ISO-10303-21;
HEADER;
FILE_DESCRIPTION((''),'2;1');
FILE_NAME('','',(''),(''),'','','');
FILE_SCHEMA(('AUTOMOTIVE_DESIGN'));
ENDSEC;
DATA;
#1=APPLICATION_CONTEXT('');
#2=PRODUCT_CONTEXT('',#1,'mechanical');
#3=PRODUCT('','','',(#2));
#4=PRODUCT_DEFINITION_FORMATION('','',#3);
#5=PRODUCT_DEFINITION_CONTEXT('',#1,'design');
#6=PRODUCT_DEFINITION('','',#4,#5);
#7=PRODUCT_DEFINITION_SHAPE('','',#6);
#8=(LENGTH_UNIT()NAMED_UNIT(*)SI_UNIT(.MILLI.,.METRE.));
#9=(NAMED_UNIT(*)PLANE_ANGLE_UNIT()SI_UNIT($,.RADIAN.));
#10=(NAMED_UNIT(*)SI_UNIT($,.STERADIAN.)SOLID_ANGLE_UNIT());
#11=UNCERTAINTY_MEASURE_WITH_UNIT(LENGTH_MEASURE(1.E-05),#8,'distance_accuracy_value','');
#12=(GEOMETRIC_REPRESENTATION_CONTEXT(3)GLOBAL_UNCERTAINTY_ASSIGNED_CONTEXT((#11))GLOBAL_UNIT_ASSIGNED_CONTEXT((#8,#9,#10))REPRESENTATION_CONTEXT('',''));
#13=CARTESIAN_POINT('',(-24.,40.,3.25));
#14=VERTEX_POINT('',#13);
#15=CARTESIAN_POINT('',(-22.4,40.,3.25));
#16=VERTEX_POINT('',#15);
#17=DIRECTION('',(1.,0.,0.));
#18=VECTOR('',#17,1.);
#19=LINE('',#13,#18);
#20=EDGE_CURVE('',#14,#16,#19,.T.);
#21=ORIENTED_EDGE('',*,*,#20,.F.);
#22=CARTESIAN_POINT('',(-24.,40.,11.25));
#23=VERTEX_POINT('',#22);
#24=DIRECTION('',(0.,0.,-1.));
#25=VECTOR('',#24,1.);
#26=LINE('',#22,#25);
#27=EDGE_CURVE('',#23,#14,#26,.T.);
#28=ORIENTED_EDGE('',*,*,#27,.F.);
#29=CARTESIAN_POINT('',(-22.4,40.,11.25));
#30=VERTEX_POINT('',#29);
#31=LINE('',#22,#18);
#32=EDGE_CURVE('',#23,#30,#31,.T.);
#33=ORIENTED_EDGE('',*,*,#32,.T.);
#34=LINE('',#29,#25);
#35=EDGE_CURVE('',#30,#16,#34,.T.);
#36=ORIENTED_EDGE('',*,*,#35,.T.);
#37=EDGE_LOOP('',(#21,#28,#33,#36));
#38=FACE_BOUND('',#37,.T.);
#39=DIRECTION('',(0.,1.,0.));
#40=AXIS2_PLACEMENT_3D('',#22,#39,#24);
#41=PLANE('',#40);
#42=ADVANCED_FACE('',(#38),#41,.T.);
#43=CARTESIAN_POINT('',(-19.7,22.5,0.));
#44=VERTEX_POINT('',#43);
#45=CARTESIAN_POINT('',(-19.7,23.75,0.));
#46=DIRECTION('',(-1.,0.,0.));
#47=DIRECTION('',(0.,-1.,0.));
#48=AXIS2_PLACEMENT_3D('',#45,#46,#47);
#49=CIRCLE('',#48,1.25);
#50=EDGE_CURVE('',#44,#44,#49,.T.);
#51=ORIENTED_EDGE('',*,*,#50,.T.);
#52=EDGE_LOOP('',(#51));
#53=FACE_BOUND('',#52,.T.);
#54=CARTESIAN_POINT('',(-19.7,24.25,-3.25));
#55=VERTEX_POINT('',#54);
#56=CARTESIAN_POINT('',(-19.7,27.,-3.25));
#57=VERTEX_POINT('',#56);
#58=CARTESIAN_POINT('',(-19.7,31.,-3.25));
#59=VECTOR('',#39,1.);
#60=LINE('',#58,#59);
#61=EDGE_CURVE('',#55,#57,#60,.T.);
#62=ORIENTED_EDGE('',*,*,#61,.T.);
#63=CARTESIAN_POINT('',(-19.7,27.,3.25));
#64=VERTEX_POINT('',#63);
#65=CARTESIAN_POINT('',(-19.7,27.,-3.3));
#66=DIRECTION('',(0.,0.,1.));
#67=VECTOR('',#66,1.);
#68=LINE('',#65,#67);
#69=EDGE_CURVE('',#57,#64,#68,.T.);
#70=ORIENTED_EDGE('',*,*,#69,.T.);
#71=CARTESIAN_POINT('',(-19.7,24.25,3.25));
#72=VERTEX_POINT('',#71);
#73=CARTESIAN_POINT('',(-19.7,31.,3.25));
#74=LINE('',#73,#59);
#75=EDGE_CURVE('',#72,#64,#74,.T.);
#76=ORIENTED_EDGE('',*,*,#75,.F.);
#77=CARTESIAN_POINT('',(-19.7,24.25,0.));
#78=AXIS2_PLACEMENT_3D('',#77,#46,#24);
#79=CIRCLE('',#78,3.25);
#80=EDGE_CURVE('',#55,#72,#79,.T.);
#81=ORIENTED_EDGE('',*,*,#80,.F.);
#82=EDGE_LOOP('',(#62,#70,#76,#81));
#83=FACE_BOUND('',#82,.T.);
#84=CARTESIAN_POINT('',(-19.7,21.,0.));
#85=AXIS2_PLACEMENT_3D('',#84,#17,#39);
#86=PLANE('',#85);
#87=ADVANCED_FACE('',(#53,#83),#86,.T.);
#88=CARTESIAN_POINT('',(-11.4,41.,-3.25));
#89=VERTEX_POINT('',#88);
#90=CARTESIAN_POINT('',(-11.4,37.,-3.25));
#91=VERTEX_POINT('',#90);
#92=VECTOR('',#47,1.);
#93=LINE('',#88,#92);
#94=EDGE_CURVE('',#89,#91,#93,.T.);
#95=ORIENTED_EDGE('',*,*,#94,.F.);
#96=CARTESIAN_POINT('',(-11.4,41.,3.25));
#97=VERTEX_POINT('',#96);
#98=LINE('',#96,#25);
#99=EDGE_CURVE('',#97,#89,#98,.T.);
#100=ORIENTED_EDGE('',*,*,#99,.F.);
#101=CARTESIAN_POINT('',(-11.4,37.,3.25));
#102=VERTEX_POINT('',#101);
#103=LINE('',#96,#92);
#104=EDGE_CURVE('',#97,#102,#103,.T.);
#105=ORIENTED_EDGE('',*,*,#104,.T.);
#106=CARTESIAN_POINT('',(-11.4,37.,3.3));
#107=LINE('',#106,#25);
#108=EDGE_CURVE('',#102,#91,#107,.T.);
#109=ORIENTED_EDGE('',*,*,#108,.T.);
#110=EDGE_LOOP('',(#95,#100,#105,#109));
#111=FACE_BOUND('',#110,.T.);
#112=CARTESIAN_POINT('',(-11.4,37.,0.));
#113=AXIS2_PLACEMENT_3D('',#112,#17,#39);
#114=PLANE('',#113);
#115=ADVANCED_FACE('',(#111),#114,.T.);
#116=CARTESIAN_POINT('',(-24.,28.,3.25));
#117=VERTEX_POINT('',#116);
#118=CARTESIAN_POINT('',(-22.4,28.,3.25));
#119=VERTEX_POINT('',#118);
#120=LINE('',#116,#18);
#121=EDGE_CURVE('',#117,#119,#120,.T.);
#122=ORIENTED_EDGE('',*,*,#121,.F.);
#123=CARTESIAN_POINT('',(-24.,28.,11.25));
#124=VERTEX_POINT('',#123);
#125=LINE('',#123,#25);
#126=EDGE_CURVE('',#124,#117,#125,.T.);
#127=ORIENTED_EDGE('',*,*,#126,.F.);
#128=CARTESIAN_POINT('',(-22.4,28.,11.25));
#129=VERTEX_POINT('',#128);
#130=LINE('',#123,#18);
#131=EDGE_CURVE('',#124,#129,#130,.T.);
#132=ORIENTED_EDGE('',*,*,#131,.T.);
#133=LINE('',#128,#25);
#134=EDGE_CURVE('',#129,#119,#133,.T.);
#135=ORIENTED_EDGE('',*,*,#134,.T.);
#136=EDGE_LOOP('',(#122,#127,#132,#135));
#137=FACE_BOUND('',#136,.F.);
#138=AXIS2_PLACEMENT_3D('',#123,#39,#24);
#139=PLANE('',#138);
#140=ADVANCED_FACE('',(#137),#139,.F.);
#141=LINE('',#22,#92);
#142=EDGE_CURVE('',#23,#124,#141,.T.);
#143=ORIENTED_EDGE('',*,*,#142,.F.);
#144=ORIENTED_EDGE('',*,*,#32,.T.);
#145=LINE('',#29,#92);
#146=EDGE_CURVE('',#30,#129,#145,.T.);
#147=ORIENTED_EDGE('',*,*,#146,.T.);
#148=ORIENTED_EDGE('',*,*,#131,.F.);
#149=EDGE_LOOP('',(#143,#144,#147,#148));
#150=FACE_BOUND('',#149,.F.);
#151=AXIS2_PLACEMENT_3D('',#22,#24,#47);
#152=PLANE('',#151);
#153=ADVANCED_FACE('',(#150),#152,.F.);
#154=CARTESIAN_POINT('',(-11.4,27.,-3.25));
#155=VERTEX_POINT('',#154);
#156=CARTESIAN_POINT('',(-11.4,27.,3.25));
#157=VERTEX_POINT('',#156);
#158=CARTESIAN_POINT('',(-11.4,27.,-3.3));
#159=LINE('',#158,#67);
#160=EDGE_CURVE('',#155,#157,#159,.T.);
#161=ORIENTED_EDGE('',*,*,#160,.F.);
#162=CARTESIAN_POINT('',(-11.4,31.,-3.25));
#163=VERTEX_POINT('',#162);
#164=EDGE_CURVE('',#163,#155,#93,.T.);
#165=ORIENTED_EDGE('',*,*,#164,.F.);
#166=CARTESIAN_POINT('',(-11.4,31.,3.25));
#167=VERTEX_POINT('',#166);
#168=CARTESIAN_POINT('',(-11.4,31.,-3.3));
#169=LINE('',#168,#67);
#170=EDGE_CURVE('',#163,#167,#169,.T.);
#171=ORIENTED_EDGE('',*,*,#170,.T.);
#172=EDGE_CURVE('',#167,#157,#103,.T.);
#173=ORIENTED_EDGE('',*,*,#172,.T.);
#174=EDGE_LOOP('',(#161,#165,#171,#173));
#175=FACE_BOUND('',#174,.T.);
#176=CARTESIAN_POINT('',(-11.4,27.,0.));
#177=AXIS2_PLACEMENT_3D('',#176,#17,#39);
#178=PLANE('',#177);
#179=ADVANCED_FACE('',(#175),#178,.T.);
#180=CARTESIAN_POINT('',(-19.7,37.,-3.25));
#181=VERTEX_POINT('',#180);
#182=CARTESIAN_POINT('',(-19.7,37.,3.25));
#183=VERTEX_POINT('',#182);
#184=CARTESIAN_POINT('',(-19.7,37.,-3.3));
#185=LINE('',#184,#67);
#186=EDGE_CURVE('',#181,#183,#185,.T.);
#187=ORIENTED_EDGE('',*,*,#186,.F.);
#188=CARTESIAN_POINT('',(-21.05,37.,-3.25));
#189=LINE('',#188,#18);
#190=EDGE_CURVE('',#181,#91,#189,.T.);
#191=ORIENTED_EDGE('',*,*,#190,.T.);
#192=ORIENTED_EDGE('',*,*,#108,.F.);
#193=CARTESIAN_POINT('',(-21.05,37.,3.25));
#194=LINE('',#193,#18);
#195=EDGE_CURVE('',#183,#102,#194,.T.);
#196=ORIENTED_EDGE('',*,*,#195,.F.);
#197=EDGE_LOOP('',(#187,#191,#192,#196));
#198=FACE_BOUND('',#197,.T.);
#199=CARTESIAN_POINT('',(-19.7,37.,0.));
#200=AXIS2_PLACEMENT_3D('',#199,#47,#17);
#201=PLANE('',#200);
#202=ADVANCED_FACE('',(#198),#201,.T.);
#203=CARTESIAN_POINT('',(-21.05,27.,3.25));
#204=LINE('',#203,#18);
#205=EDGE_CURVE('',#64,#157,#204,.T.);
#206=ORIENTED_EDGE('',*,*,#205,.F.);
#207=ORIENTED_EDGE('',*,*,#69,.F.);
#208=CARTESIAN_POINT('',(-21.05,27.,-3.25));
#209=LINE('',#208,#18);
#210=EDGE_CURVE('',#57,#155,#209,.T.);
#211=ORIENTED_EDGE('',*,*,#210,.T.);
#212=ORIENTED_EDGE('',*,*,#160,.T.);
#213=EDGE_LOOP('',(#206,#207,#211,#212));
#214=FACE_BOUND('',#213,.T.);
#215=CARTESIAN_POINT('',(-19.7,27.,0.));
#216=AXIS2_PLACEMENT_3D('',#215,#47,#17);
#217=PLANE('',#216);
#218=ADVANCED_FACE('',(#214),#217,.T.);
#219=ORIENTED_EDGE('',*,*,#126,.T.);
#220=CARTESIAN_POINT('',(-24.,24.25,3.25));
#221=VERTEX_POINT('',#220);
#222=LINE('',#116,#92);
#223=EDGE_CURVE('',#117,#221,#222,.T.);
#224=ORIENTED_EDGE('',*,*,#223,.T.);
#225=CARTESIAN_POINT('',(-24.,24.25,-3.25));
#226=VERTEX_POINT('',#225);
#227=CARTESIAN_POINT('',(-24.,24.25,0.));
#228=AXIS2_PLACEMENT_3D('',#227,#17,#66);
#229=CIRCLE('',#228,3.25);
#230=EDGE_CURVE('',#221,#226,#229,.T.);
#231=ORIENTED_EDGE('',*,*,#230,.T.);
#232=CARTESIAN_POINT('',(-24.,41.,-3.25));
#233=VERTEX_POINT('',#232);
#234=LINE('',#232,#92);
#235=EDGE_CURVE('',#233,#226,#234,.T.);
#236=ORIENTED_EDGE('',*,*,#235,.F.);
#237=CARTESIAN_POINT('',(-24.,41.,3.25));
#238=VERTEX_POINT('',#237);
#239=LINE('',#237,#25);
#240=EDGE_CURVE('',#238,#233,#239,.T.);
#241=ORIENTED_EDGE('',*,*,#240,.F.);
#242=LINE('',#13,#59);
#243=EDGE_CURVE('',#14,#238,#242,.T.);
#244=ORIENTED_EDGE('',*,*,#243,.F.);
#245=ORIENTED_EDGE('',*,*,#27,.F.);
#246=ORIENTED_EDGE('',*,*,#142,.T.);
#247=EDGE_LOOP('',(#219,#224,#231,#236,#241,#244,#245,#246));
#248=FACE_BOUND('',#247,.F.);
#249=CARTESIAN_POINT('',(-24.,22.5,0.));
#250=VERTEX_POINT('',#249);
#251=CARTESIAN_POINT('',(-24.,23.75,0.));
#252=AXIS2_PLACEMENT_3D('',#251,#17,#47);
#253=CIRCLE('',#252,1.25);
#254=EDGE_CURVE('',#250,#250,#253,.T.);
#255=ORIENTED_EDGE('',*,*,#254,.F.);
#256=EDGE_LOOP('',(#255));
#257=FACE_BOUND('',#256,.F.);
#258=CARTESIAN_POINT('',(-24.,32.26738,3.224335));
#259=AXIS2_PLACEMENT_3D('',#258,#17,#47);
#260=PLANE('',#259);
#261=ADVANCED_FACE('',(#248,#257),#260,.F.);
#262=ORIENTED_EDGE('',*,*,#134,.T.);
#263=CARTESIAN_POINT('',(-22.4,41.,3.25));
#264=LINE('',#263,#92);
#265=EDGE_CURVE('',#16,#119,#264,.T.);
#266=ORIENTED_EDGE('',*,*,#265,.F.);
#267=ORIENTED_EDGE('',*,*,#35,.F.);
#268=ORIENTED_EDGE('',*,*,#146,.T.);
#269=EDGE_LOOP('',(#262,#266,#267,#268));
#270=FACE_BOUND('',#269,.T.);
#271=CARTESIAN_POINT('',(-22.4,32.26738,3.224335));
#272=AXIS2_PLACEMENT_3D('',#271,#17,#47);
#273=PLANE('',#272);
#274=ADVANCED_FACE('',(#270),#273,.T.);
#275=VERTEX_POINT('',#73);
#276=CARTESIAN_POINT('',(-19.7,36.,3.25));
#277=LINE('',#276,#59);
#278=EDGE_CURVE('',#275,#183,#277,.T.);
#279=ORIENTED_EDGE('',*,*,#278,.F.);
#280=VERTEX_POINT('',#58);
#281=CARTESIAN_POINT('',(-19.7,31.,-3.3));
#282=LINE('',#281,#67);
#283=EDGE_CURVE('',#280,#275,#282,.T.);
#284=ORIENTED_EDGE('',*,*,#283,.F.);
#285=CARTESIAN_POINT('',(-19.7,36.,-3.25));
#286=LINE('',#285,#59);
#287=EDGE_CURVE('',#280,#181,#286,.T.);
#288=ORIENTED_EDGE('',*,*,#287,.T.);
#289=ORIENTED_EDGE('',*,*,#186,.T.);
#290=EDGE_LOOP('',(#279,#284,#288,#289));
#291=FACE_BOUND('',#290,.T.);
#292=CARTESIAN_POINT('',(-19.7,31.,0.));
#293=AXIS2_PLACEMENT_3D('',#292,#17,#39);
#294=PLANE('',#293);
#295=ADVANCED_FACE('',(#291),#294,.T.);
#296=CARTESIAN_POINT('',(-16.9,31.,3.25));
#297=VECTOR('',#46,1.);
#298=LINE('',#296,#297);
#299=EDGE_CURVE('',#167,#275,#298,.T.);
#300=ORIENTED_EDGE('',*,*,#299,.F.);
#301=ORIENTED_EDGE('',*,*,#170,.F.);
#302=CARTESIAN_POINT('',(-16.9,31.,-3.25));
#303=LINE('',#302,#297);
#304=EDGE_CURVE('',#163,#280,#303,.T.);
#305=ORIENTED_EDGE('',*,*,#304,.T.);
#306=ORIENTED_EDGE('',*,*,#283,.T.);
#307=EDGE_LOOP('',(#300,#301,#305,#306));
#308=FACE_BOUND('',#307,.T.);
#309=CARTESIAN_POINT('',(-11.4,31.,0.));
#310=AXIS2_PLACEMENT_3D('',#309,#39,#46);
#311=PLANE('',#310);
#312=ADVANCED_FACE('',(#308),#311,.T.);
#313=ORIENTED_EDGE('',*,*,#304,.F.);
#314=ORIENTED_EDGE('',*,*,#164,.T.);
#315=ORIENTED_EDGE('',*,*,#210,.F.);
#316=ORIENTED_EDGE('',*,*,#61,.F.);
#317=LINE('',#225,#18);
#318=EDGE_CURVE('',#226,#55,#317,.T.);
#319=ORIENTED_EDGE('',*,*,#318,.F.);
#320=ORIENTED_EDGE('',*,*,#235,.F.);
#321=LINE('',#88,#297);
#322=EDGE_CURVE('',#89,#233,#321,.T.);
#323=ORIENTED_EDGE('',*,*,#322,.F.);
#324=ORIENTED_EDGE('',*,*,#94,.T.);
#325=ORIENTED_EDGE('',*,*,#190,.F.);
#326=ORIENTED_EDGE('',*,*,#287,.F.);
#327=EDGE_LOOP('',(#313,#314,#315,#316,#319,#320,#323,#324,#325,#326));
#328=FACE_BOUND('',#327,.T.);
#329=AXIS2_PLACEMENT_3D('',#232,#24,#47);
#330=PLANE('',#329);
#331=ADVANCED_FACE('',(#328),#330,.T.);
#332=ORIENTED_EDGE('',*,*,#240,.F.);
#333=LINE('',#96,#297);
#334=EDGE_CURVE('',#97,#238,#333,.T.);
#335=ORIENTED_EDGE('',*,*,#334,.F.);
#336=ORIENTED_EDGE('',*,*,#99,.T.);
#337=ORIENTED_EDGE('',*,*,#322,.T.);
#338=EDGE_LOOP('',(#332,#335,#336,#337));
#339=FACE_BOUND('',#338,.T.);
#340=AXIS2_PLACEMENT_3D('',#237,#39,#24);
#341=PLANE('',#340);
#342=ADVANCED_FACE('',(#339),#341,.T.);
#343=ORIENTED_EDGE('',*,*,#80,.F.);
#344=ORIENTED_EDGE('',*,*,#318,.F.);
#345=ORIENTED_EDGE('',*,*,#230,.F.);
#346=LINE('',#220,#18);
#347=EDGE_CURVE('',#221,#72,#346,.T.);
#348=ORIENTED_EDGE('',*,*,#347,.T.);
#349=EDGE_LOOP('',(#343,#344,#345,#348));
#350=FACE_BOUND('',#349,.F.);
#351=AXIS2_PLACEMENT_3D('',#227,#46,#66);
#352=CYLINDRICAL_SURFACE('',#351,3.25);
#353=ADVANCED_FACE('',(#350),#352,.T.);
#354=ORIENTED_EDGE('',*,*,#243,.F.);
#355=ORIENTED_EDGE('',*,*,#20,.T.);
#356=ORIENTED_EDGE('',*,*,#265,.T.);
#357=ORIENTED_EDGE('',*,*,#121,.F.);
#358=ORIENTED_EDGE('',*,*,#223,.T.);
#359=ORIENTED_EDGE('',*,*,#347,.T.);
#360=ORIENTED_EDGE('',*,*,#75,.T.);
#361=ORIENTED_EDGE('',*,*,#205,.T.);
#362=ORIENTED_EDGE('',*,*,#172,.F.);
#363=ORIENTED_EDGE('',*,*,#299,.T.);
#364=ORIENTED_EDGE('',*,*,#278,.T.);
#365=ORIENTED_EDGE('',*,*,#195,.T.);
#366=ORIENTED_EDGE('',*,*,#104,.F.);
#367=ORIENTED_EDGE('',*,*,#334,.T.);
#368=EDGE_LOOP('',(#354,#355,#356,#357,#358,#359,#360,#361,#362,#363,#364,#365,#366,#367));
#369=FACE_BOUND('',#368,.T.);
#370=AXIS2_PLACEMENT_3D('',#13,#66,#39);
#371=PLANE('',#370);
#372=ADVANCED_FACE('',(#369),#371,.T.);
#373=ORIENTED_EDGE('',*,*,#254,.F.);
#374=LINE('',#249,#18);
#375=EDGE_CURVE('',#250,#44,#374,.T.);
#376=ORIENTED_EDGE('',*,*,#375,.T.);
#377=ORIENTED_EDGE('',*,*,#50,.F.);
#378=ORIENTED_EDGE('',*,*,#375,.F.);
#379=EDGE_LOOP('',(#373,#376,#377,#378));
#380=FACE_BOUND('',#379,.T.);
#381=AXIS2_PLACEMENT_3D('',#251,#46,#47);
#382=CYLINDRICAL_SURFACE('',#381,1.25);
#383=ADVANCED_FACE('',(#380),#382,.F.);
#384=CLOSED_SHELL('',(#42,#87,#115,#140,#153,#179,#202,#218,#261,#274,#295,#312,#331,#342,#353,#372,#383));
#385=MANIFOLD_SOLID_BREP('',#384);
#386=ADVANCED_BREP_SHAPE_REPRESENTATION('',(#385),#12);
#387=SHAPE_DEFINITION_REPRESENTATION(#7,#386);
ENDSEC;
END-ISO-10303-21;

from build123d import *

# Parameters (mm, degrees)
SKETCH009_R               = 1.25
EXTRUDE006_DEPTH          = 1.6
SKETCH007_R               = 1.25
EXTRUDE004_DEPTH          = 11
EXTRUDE003_DEPTH          = 3.3
FUSION021_ROLL_ANGLE      = -90
FUSION021_PLACEMENT_ANGLE = -90


with BuildPart() as opticalsensorpcbonlyonetab:
    # Sketch009 → Extrude006 (new body)
    with BuildSketch(Plane.XY):
        with BuildLine():
            Line((-6, 0), (6, 0))
            Line((6, 0), (6, 8))
            Line((6, 8), (9.75, 8))
            ThreePointArc((9.75, 8), (13, 11.25), (9.75, 14.5))
            Line((-7, 14.5), (9.75, 14.5))
            Line((-7, 8), (-7, 14.5))
            Line((-6, 8), (-7, 8))
            Line((-6, 0), (-6, 8))
        make_face()
        with Locations((10.25, 11.25)):
            Circle(SKETCH009_R, mode=Mode.SUBTRACT)
    extrude(amount=EXTRUDE006_DEPTH)


with BuildPart() as opticalsensoronlyonetabtopview:
    # Sketch007 → Extrude004 (new body)
    with BuildSketch(Plane.XY):
        with BuildLine():
            Line((-7, 3.25), (9.75, 3.25))
            ThreePointArc((9.75, -3.25), (13, 0), (9.75, 3.25))
            Line((-7, -3.25), (9.75, -3.25))
            Line((-7, -3.25), (-7, 3.25))
        make_face()
        with Locations((10.25, 0)):
            Circle(SKETCH007_R, mode=Mode.SUBTRACT)
    extrude(amount=EXTRUDE004_DEPTH)


with BuildPart() as hourhomeswitch:
    # Sketch006 → Extrude003 (new body, symmetric)
    with BuildSketch(Plane.XZ):
        Polygon((-7, 0), (13, 0), (13, 2.7), (7, 2.7), (7, 11), (3, 11), (3, 2.7), (-3, 2.7), (-3, 11), (-7, 11), align=None)
    extrude(amount=EXTRUDE003_DEPTH, both=True)

    # Common: intersect OpticalSensorOnlyOneTabTopView
    add(opticalsensoronlyonetabtopview.part, mode=Mode.INTERSECT)


with BuildPart() as hourhomeswitch_1:
    # Common placement: moved
    add(hourhomeswitch.part.moved(Location((0, 11.25, 1.6))))

    # Fusion021: union OpticalSensorPcbOnlyOneTab
    add(opticalsensorpcbonlyonetab.part)


with BuildPart() as hourhomeswitch_2:
    # Fusion021 roll: moved
    add(hourhomeswitch_1.part.rotate(Axis((0, 0, 0), (1, 0, 0)), FUSION021_ROLL_ANGLE))


with BuildPart() as hourhomeswitch_3:
    # Fusion021 placement: moved
    add(hourhomeswitch_2.part.moved(Location((-24, 34, 11.25))).rotate(Axis((-24, 34, 11.25), (0, 0, 1)), FUSION021_PLACEMENT_ANGLE))


solid = hourhomeswitch_3.part
